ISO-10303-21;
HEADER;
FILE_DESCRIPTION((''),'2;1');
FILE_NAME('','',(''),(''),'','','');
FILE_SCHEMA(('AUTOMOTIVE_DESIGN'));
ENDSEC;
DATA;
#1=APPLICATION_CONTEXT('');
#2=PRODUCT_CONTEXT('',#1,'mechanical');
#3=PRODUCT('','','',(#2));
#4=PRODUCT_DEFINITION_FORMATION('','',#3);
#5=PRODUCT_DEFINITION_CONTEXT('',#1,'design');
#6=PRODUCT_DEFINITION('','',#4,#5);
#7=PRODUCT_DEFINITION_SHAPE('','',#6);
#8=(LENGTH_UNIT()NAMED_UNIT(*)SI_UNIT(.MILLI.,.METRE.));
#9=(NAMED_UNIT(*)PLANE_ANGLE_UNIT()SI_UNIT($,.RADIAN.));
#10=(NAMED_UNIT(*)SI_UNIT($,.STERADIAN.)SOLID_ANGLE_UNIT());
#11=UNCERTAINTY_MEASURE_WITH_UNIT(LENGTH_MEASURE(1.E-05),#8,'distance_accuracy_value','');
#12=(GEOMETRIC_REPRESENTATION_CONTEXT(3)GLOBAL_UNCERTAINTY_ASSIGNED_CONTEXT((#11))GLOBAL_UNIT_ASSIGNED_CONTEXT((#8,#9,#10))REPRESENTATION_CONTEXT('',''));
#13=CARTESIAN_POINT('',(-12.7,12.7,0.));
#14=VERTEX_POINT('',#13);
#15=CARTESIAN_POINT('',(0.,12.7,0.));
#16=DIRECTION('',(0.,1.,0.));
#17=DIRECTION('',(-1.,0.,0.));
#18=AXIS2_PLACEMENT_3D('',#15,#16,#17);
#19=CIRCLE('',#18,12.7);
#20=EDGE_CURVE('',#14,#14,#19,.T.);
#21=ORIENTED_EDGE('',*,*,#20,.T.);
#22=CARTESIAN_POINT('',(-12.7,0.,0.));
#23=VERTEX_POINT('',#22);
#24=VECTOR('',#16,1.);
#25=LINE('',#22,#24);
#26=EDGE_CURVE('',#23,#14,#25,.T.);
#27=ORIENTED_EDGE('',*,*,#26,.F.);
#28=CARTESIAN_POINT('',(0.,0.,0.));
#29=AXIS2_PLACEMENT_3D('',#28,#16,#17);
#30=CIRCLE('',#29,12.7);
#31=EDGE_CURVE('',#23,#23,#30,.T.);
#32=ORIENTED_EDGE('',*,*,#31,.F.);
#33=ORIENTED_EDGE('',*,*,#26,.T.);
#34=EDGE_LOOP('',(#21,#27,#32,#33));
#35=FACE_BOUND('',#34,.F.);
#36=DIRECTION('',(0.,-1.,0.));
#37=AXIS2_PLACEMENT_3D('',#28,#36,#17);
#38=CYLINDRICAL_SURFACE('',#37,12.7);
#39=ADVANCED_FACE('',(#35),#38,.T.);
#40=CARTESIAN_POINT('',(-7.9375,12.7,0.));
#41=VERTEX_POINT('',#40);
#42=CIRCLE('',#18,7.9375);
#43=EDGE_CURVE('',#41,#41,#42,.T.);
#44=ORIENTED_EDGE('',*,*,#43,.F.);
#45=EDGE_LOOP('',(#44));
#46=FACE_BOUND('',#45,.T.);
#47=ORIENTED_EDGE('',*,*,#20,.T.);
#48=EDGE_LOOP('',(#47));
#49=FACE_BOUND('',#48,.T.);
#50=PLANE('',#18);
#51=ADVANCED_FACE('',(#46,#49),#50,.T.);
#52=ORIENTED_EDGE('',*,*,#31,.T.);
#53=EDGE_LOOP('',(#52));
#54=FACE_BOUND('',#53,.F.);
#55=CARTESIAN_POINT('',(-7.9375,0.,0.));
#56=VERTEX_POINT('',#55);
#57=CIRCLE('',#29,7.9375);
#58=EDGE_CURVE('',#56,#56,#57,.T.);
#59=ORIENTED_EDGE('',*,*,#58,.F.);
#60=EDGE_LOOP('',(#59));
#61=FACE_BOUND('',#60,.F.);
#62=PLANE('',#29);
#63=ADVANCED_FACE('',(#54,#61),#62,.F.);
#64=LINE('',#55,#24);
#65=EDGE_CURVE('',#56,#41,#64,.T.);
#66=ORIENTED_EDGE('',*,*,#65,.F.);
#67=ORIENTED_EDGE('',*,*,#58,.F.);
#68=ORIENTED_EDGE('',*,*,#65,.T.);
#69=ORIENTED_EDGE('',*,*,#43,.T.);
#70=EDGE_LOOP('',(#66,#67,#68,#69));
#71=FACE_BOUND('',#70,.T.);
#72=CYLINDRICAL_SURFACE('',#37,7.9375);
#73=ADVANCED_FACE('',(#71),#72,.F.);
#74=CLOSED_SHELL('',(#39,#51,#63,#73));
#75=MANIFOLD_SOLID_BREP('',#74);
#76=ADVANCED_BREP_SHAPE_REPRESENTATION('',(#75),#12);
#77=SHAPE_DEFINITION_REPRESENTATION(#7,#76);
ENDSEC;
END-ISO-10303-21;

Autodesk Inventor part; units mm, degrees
ref_plane "YZ Plane" through (0, 0, 0) normal (1, 0, 0) x (0, 1, 0)
ref_plane "XZ Plane" through (0, 0, 0) normal (0, 1, 0) x (-1, 0, 0)
ref_plane "XY Plane" through (0, 0, 0) normal (0, 0, 1) x (1, 0, 0)
sketch "Sketch1" plane through (0, 0, 0) normal (0, 1, 0) x (-1, 0, 0)
  circle A0 centre (0, 0) radius 7.9375
  circle A1 centre (0, 0) radius 12.7
  dimension "d0" = 15.875
  dimension "d1" = 25.4
extrude "Extrusion1" add sketch "Sketch1" along normal blind 12.7
properties part number "Bushing"
